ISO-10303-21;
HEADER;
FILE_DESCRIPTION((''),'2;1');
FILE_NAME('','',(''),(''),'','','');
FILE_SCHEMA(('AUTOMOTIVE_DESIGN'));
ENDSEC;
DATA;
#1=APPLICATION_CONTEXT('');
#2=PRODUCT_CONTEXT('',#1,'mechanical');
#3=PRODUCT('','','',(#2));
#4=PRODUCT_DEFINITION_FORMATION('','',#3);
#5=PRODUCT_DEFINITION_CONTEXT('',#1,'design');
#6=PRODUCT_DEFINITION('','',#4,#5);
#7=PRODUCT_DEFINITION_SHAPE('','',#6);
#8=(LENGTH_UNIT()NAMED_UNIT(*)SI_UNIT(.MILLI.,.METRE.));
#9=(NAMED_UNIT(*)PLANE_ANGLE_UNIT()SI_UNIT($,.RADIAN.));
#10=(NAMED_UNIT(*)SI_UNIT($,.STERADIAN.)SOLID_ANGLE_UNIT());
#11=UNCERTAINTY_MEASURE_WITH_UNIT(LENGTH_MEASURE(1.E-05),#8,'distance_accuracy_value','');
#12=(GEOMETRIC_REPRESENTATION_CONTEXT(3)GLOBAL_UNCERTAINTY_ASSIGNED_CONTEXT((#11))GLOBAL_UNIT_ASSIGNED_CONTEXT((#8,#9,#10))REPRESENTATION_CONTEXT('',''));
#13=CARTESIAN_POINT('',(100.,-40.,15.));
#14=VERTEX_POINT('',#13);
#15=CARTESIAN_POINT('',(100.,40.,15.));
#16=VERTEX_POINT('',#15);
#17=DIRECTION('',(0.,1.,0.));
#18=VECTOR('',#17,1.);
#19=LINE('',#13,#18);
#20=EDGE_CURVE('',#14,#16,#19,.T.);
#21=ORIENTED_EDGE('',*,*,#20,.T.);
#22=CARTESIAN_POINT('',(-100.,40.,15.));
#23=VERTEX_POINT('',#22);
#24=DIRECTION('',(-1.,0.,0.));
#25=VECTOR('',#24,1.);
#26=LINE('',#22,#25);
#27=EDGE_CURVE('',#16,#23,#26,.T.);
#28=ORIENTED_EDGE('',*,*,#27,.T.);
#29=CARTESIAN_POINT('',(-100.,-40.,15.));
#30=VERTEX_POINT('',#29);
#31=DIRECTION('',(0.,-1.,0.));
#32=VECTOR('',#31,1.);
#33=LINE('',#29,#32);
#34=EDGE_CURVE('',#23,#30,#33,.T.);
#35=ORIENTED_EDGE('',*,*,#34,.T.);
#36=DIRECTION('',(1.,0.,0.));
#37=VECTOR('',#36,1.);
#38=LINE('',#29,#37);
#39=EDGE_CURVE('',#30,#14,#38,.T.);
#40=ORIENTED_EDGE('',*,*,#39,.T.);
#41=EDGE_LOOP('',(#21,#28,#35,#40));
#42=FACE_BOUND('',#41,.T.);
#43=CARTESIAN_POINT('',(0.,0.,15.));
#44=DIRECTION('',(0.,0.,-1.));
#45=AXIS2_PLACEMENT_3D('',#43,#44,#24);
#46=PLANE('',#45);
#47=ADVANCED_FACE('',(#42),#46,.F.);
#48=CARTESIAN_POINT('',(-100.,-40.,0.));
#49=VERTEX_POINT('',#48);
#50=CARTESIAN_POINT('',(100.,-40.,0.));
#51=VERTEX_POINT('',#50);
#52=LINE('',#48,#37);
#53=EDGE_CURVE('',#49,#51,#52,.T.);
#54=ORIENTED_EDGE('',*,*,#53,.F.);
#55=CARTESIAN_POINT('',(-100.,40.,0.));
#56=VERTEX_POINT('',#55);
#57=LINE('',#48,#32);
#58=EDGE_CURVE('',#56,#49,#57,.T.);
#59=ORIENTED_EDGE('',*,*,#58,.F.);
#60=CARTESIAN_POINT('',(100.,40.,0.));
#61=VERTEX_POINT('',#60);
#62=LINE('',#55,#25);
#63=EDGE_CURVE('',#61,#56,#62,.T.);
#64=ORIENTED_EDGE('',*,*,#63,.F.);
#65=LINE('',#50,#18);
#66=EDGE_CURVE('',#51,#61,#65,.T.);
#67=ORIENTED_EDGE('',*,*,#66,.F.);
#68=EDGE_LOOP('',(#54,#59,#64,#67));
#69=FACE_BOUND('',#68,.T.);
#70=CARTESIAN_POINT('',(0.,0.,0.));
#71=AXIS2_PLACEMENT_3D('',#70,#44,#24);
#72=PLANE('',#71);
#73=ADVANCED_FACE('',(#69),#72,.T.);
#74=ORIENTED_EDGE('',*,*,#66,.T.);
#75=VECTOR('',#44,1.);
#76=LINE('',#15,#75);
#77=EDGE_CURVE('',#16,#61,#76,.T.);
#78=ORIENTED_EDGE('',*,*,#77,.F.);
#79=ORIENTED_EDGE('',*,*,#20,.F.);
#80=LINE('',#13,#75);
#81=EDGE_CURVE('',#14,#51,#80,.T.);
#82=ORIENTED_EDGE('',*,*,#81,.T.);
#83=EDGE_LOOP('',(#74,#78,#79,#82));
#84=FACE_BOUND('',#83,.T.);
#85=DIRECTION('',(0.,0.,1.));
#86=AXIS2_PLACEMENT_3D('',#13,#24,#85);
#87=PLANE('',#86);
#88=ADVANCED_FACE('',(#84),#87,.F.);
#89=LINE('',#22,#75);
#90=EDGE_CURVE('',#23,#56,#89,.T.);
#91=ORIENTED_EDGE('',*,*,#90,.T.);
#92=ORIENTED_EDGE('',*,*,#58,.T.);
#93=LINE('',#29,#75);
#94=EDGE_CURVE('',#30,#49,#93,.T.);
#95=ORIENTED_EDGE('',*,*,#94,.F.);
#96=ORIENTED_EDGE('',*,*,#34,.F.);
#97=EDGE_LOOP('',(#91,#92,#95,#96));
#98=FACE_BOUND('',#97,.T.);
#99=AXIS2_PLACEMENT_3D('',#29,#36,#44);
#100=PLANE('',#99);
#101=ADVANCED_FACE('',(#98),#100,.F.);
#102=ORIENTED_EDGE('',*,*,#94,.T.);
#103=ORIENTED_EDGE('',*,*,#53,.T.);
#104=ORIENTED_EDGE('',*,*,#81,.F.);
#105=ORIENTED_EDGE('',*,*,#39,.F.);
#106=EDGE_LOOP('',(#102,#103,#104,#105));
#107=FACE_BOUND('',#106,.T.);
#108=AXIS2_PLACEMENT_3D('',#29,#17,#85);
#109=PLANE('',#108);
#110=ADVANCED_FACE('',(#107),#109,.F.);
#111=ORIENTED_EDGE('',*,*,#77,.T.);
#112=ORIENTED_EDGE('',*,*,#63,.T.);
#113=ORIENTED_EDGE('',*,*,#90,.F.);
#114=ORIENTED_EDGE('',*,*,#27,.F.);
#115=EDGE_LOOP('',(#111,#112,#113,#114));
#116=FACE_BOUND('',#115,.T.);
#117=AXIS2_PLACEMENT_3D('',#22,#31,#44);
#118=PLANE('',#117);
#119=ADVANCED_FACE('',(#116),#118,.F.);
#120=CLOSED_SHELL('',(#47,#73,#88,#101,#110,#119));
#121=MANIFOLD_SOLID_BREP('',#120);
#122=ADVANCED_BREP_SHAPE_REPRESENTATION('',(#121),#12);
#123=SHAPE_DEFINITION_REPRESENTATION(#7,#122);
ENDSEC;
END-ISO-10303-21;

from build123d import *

# Parameters (mm, degrees)
SKIZZE1_W                       = 200
SKIZZE1_H                       = 80
AUFSATZ_LINEAR_AUSTRAGEN1_DEPTH = 15


with BuildPart() as part:
    # Skizze1 → Aufsatz-Linear austragen1 (new body)
    with BuildSketch(Plane.XY):
        Rectangle(SKIZZE1_W, SKIZZE1_H)
    extrude(amount=AUFSATZ_LINEAR_AUSTRAGEN1_DEPTH)


solid = part.part
